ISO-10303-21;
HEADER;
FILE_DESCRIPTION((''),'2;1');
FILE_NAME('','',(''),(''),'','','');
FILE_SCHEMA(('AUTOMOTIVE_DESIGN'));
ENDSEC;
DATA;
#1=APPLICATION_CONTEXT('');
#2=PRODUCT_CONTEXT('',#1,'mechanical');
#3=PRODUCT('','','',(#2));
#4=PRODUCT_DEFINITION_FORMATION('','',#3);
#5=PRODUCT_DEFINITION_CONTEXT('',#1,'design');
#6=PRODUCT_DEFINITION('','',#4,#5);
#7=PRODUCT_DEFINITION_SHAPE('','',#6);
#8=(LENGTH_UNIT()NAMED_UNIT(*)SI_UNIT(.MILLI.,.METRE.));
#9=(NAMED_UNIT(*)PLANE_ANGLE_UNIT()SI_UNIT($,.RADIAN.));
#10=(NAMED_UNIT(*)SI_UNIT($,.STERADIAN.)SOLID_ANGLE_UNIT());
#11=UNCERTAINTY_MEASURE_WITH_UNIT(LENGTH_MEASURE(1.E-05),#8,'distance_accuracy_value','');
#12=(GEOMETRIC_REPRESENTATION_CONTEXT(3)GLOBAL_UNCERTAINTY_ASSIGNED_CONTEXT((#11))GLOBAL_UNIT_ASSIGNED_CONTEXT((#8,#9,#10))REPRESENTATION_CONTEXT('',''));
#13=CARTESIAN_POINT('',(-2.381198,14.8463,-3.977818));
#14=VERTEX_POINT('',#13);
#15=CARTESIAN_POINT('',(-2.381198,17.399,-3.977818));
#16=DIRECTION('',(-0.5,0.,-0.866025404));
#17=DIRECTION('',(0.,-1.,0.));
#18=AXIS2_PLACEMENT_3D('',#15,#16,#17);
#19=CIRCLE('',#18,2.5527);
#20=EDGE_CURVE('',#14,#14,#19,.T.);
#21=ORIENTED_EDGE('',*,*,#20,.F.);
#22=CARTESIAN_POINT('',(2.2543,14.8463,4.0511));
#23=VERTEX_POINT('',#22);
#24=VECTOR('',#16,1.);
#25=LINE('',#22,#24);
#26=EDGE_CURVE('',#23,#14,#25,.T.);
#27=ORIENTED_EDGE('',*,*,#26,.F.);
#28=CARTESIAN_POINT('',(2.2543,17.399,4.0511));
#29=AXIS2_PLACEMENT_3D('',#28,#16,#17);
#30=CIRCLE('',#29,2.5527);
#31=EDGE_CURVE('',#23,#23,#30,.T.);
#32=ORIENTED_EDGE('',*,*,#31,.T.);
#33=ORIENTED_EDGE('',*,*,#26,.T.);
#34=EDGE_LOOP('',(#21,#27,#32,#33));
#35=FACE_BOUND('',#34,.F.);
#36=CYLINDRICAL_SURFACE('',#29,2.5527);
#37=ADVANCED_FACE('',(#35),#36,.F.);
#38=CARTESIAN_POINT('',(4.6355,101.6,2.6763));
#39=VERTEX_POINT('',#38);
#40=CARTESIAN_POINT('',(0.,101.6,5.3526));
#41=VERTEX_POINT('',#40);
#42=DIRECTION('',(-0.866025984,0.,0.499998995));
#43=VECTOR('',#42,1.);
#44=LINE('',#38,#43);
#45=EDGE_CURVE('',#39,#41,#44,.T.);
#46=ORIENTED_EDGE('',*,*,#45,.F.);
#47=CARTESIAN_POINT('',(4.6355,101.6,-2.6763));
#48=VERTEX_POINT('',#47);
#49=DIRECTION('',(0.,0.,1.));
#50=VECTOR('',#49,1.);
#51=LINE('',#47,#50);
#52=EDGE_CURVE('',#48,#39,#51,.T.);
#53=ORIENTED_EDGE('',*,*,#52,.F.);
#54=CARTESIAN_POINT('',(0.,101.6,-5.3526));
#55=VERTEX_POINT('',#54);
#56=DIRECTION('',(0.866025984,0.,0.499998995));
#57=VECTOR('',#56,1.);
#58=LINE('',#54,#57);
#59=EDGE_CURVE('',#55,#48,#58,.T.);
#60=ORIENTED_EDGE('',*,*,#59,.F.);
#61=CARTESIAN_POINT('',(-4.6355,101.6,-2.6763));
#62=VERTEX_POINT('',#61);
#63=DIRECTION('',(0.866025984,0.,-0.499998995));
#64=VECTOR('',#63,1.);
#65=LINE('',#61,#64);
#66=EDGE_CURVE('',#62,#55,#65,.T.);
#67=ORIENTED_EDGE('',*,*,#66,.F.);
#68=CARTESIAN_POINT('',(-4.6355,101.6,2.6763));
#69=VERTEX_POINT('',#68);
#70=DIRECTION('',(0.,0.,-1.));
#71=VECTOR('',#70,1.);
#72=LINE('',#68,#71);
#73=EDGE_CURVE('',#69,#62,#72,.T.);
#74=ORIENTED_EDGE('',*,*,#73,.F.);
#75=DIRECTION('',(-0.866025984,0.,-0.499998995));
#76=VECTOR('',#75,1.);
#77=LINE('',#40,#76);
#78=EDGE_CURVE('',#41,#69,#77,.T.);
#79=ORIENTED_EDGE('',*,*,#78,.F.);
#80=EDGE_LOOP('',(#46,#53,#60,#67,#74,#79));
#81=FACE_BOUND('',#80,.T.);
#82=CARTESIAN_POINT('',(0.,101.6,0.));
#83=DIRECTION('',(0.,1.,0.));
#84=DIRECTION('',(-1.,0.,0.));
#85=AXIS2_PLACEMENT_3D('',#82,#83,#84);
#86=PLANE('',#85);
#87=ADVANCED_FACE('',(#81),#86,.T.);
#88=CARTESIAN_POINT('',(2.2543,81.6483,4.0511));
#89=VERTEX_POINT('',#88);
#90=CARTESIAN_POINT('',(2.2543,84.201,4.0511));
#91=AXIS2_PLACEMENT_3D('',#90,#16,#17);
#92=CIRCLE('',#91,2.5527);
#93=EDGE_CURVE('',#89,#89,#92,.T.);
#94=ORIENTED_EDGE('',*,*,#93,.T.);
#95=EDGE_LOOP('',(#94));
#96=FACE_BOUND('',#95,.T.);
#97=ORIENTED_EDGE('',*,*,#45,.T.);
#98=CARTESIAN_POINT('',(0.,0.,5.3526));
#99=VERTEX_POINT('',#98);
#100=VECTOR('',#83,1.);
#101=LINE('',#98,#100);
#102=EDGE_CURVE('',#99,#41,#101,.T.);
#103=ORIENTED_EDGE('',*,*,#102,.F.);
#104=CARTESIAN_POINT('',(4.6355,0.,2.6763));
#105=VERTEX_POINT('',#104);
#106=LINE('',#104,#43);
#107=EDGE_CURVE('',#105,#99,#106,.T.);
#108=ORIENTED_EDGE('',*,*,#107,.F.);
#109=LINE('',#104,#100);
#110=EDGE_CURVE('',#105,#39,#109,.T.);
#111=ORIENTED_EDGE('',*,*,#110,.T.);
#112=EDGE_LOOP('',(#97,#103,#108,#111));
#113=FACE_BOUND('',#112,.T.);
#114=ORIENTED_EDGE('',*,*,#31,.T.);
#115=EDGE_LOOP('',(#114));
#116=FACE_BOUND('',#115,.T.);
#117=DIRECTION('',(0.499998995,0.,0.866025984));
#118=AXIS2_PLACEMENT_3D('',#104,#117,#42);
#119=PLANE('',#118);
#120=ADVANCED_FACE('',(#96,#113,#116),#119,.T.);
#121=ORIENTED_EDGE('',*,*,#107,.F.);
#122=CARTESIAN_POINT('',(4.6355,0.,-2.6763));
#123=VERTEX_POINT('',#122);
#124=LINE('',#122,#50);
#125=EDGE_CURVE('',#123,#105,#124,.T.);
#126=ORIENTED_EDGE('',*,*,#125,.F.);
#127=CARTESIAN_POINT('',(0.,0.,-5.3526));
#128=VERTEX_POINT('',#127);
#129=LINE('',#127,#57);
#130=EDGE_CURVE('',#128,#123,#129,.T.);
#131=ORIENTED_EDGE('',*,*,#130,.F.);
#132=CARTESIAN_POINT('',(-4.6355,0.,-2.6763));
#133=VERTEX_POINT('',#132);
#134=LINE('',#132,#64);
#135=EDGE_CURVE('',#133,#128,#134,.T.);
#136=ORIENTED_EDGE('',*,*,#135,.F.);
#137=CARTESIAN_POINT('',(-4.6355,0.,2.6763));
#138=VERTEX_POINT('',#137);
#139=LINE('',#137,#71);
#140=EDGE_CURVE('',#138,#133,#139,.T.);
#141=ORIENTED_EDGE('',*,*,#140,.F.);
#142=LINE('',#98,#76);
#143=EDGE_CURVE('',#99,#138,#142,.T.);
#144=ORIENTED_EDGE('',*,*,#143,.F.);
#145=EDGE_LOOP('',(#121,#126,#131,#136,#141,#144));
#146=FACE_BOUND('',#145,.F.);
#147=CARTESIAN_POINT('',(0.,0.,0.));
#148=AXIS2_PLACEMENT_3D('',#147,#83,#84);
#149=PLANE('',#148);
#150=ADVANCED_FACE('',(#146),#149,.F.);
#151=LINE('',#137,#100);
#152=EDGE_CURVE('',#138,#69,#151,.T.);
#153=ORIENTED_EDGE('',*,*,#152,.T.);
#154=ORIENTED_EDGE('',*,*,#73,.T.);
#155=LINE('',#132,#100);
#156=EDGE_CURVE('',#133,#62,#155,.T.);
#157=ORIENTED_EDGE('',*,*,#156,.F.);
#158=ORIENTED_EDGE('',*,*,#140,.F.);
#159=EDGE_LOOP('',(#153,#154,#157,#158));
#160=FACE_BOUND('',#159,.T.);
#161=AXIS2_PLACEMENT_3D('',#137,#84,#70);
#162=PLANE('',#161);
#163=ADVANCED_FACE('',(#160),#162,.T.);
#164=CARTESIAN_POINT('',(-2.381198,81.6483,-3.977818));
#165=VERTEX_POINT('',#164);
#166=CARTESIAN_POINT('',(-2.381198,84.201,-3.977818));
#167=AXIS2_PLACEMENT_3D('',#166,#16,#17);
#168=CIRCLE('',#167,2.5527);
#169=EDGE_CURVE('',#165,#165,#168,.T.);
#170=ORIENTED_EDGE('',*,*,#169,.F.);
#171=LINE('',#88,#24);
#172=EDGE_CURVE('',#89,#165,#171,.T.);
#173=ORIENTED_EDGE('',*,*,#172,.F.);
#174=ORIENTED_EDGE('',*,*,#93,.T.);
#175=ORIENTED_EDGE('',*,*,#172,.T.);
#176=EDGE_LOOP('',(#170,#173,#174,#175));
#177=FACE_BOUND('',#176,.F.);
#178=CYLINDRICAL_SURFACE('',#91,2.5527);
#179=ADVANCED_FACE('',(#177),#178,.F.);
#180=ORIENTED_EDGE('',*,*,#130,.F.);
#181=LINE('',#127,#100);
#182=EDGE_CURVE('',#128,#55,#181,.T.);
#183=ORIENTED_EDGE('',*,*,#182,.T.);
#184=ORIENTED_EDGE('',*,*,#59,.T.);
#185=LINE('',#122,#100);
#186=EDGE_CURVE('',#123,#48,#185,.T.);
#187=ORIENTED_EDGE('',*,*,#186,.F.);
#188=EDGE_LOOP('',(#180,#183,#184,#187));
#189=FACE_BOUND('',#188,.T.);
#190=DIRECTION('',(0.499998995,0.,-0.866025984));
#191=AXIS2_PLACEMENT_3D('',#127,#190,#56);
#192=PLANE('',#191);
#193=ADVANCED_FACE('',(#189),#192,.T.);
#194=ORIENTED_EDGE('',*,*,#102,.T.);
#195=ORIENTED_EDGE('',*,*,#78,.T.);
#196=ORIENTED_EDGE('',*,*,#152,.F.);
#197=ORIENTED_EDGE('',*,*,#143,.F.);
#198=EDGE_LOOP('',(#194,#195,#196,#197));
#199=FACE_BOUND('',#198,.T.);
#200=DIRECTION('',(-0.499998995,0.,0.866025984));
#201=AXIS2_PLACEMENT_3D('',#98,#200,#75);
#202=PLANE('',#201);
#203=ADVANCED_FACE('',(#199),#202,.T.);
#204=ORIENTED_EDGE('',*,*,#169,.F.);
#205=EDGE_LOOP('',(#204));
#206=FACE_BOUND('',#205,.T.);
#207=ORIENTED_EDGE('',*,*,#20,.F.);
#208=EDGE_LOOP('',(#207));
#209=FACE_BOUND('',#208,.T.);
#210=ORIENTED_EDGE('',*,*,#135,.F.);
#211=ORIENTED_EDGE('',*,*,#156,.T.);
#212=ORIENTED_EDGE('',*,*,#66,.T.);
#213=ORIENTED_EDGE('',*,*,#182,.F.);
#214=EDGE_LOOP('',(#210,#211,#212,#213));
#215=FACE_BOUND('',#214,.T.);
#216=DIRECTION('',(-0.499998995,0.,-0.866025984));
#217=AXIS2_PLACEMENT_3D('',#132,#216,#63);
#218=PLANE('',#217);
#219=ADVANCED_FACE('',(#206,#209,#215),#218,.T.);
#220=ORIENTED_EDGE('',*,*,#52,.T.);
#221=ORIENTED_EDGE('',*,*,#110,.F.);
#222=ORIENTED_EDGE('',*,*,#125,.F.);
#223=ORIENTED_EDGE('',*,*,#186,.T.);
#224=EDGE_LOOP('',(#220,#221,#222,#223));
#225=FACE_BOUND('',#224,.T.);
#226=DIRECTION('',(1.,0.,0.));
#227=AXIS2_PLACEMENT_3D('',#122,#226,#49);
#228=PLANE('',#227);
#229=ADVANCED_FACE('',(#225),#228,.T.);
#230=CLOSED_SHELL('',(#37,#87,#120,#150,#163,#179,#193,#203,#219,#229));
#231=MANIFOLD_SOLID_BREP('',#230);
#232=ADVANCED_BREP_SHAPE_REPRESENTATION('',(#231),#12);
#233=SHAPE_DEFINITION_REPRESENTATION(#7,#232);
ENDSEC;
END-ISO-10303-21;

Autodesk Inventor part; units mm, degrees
ref_plane "YZ Plane" through (0, 0, 0) normal (1, 0, 0) x (0, 1, 0)
ref_plane "XZ Plane" through (0, 0, 0) normal (0, 1, 0) x (-1, 0, 0)
ref_plane "XY Plane" through (0, 0, 0) normal (0, 0, 1) x (1, 0, 0)
sketch "Sketch1" plane through (0, 0, 0) normal (0, 1, 0) x (-1, 0, 0)
  line L0 (0, -5.3526) -> (-4.6355, -2.6763)
  line L1 (-4.6355, -2.6763) -> (-4.6355, 2.6763)
  line L2 (-4.6355, 2.6763) -> (0, 5.3526)
  line L3 (0, 5.3526) -> (4.6355, 2.6763)
  line L4 (4.6355, 2.6763) -> (4.6355, -2.6763)
  line L5 (4.6355, -2.6763) -> (0, -5.3526)
  point P0 (0, 0)
  point P1 (0, 0)
  dimension "d0" = 9.271
extrude "Extrusion1" add sketch "Sketch1" along normal blind 101.6
sketch "Sketch2" plane through (4.6355, 0, 2.6763) normal (0.5, 0, 0.866) x (0.866, 0, -0.5)
  line L0 (-5.3526, 101.6) -> (0, 101.6) projected
  line L1 (0, 0) -> (-5.3526, 0) projected
  point P0 (-2.6763, 0)
  point P1 (-2.7496, 17.399)
  point P2 (-2.7496, 84.201)
  dimension "d3" = 17.399
  dimension "d4" = 17.399
hole "Hole1" at (2.2543, 17.399, 4.0511) at (2.2543, 84.201, 4.0511) direction (-0.5, 0, -0.866) diameter 5.1054 end through all clearance for "Flat Head Machine Screw (82)" size "#10" standard "Ansi Unified Screw Threads"
equation "\"d3\" = depthForHexBolt"
equation "\"d4\" = depthForHexBolt"
equation "\"printingError\" = 0.254"
equation "\"depthForHexBolt\" = 17.399"
properties part number "3_8_plasticPipe"
